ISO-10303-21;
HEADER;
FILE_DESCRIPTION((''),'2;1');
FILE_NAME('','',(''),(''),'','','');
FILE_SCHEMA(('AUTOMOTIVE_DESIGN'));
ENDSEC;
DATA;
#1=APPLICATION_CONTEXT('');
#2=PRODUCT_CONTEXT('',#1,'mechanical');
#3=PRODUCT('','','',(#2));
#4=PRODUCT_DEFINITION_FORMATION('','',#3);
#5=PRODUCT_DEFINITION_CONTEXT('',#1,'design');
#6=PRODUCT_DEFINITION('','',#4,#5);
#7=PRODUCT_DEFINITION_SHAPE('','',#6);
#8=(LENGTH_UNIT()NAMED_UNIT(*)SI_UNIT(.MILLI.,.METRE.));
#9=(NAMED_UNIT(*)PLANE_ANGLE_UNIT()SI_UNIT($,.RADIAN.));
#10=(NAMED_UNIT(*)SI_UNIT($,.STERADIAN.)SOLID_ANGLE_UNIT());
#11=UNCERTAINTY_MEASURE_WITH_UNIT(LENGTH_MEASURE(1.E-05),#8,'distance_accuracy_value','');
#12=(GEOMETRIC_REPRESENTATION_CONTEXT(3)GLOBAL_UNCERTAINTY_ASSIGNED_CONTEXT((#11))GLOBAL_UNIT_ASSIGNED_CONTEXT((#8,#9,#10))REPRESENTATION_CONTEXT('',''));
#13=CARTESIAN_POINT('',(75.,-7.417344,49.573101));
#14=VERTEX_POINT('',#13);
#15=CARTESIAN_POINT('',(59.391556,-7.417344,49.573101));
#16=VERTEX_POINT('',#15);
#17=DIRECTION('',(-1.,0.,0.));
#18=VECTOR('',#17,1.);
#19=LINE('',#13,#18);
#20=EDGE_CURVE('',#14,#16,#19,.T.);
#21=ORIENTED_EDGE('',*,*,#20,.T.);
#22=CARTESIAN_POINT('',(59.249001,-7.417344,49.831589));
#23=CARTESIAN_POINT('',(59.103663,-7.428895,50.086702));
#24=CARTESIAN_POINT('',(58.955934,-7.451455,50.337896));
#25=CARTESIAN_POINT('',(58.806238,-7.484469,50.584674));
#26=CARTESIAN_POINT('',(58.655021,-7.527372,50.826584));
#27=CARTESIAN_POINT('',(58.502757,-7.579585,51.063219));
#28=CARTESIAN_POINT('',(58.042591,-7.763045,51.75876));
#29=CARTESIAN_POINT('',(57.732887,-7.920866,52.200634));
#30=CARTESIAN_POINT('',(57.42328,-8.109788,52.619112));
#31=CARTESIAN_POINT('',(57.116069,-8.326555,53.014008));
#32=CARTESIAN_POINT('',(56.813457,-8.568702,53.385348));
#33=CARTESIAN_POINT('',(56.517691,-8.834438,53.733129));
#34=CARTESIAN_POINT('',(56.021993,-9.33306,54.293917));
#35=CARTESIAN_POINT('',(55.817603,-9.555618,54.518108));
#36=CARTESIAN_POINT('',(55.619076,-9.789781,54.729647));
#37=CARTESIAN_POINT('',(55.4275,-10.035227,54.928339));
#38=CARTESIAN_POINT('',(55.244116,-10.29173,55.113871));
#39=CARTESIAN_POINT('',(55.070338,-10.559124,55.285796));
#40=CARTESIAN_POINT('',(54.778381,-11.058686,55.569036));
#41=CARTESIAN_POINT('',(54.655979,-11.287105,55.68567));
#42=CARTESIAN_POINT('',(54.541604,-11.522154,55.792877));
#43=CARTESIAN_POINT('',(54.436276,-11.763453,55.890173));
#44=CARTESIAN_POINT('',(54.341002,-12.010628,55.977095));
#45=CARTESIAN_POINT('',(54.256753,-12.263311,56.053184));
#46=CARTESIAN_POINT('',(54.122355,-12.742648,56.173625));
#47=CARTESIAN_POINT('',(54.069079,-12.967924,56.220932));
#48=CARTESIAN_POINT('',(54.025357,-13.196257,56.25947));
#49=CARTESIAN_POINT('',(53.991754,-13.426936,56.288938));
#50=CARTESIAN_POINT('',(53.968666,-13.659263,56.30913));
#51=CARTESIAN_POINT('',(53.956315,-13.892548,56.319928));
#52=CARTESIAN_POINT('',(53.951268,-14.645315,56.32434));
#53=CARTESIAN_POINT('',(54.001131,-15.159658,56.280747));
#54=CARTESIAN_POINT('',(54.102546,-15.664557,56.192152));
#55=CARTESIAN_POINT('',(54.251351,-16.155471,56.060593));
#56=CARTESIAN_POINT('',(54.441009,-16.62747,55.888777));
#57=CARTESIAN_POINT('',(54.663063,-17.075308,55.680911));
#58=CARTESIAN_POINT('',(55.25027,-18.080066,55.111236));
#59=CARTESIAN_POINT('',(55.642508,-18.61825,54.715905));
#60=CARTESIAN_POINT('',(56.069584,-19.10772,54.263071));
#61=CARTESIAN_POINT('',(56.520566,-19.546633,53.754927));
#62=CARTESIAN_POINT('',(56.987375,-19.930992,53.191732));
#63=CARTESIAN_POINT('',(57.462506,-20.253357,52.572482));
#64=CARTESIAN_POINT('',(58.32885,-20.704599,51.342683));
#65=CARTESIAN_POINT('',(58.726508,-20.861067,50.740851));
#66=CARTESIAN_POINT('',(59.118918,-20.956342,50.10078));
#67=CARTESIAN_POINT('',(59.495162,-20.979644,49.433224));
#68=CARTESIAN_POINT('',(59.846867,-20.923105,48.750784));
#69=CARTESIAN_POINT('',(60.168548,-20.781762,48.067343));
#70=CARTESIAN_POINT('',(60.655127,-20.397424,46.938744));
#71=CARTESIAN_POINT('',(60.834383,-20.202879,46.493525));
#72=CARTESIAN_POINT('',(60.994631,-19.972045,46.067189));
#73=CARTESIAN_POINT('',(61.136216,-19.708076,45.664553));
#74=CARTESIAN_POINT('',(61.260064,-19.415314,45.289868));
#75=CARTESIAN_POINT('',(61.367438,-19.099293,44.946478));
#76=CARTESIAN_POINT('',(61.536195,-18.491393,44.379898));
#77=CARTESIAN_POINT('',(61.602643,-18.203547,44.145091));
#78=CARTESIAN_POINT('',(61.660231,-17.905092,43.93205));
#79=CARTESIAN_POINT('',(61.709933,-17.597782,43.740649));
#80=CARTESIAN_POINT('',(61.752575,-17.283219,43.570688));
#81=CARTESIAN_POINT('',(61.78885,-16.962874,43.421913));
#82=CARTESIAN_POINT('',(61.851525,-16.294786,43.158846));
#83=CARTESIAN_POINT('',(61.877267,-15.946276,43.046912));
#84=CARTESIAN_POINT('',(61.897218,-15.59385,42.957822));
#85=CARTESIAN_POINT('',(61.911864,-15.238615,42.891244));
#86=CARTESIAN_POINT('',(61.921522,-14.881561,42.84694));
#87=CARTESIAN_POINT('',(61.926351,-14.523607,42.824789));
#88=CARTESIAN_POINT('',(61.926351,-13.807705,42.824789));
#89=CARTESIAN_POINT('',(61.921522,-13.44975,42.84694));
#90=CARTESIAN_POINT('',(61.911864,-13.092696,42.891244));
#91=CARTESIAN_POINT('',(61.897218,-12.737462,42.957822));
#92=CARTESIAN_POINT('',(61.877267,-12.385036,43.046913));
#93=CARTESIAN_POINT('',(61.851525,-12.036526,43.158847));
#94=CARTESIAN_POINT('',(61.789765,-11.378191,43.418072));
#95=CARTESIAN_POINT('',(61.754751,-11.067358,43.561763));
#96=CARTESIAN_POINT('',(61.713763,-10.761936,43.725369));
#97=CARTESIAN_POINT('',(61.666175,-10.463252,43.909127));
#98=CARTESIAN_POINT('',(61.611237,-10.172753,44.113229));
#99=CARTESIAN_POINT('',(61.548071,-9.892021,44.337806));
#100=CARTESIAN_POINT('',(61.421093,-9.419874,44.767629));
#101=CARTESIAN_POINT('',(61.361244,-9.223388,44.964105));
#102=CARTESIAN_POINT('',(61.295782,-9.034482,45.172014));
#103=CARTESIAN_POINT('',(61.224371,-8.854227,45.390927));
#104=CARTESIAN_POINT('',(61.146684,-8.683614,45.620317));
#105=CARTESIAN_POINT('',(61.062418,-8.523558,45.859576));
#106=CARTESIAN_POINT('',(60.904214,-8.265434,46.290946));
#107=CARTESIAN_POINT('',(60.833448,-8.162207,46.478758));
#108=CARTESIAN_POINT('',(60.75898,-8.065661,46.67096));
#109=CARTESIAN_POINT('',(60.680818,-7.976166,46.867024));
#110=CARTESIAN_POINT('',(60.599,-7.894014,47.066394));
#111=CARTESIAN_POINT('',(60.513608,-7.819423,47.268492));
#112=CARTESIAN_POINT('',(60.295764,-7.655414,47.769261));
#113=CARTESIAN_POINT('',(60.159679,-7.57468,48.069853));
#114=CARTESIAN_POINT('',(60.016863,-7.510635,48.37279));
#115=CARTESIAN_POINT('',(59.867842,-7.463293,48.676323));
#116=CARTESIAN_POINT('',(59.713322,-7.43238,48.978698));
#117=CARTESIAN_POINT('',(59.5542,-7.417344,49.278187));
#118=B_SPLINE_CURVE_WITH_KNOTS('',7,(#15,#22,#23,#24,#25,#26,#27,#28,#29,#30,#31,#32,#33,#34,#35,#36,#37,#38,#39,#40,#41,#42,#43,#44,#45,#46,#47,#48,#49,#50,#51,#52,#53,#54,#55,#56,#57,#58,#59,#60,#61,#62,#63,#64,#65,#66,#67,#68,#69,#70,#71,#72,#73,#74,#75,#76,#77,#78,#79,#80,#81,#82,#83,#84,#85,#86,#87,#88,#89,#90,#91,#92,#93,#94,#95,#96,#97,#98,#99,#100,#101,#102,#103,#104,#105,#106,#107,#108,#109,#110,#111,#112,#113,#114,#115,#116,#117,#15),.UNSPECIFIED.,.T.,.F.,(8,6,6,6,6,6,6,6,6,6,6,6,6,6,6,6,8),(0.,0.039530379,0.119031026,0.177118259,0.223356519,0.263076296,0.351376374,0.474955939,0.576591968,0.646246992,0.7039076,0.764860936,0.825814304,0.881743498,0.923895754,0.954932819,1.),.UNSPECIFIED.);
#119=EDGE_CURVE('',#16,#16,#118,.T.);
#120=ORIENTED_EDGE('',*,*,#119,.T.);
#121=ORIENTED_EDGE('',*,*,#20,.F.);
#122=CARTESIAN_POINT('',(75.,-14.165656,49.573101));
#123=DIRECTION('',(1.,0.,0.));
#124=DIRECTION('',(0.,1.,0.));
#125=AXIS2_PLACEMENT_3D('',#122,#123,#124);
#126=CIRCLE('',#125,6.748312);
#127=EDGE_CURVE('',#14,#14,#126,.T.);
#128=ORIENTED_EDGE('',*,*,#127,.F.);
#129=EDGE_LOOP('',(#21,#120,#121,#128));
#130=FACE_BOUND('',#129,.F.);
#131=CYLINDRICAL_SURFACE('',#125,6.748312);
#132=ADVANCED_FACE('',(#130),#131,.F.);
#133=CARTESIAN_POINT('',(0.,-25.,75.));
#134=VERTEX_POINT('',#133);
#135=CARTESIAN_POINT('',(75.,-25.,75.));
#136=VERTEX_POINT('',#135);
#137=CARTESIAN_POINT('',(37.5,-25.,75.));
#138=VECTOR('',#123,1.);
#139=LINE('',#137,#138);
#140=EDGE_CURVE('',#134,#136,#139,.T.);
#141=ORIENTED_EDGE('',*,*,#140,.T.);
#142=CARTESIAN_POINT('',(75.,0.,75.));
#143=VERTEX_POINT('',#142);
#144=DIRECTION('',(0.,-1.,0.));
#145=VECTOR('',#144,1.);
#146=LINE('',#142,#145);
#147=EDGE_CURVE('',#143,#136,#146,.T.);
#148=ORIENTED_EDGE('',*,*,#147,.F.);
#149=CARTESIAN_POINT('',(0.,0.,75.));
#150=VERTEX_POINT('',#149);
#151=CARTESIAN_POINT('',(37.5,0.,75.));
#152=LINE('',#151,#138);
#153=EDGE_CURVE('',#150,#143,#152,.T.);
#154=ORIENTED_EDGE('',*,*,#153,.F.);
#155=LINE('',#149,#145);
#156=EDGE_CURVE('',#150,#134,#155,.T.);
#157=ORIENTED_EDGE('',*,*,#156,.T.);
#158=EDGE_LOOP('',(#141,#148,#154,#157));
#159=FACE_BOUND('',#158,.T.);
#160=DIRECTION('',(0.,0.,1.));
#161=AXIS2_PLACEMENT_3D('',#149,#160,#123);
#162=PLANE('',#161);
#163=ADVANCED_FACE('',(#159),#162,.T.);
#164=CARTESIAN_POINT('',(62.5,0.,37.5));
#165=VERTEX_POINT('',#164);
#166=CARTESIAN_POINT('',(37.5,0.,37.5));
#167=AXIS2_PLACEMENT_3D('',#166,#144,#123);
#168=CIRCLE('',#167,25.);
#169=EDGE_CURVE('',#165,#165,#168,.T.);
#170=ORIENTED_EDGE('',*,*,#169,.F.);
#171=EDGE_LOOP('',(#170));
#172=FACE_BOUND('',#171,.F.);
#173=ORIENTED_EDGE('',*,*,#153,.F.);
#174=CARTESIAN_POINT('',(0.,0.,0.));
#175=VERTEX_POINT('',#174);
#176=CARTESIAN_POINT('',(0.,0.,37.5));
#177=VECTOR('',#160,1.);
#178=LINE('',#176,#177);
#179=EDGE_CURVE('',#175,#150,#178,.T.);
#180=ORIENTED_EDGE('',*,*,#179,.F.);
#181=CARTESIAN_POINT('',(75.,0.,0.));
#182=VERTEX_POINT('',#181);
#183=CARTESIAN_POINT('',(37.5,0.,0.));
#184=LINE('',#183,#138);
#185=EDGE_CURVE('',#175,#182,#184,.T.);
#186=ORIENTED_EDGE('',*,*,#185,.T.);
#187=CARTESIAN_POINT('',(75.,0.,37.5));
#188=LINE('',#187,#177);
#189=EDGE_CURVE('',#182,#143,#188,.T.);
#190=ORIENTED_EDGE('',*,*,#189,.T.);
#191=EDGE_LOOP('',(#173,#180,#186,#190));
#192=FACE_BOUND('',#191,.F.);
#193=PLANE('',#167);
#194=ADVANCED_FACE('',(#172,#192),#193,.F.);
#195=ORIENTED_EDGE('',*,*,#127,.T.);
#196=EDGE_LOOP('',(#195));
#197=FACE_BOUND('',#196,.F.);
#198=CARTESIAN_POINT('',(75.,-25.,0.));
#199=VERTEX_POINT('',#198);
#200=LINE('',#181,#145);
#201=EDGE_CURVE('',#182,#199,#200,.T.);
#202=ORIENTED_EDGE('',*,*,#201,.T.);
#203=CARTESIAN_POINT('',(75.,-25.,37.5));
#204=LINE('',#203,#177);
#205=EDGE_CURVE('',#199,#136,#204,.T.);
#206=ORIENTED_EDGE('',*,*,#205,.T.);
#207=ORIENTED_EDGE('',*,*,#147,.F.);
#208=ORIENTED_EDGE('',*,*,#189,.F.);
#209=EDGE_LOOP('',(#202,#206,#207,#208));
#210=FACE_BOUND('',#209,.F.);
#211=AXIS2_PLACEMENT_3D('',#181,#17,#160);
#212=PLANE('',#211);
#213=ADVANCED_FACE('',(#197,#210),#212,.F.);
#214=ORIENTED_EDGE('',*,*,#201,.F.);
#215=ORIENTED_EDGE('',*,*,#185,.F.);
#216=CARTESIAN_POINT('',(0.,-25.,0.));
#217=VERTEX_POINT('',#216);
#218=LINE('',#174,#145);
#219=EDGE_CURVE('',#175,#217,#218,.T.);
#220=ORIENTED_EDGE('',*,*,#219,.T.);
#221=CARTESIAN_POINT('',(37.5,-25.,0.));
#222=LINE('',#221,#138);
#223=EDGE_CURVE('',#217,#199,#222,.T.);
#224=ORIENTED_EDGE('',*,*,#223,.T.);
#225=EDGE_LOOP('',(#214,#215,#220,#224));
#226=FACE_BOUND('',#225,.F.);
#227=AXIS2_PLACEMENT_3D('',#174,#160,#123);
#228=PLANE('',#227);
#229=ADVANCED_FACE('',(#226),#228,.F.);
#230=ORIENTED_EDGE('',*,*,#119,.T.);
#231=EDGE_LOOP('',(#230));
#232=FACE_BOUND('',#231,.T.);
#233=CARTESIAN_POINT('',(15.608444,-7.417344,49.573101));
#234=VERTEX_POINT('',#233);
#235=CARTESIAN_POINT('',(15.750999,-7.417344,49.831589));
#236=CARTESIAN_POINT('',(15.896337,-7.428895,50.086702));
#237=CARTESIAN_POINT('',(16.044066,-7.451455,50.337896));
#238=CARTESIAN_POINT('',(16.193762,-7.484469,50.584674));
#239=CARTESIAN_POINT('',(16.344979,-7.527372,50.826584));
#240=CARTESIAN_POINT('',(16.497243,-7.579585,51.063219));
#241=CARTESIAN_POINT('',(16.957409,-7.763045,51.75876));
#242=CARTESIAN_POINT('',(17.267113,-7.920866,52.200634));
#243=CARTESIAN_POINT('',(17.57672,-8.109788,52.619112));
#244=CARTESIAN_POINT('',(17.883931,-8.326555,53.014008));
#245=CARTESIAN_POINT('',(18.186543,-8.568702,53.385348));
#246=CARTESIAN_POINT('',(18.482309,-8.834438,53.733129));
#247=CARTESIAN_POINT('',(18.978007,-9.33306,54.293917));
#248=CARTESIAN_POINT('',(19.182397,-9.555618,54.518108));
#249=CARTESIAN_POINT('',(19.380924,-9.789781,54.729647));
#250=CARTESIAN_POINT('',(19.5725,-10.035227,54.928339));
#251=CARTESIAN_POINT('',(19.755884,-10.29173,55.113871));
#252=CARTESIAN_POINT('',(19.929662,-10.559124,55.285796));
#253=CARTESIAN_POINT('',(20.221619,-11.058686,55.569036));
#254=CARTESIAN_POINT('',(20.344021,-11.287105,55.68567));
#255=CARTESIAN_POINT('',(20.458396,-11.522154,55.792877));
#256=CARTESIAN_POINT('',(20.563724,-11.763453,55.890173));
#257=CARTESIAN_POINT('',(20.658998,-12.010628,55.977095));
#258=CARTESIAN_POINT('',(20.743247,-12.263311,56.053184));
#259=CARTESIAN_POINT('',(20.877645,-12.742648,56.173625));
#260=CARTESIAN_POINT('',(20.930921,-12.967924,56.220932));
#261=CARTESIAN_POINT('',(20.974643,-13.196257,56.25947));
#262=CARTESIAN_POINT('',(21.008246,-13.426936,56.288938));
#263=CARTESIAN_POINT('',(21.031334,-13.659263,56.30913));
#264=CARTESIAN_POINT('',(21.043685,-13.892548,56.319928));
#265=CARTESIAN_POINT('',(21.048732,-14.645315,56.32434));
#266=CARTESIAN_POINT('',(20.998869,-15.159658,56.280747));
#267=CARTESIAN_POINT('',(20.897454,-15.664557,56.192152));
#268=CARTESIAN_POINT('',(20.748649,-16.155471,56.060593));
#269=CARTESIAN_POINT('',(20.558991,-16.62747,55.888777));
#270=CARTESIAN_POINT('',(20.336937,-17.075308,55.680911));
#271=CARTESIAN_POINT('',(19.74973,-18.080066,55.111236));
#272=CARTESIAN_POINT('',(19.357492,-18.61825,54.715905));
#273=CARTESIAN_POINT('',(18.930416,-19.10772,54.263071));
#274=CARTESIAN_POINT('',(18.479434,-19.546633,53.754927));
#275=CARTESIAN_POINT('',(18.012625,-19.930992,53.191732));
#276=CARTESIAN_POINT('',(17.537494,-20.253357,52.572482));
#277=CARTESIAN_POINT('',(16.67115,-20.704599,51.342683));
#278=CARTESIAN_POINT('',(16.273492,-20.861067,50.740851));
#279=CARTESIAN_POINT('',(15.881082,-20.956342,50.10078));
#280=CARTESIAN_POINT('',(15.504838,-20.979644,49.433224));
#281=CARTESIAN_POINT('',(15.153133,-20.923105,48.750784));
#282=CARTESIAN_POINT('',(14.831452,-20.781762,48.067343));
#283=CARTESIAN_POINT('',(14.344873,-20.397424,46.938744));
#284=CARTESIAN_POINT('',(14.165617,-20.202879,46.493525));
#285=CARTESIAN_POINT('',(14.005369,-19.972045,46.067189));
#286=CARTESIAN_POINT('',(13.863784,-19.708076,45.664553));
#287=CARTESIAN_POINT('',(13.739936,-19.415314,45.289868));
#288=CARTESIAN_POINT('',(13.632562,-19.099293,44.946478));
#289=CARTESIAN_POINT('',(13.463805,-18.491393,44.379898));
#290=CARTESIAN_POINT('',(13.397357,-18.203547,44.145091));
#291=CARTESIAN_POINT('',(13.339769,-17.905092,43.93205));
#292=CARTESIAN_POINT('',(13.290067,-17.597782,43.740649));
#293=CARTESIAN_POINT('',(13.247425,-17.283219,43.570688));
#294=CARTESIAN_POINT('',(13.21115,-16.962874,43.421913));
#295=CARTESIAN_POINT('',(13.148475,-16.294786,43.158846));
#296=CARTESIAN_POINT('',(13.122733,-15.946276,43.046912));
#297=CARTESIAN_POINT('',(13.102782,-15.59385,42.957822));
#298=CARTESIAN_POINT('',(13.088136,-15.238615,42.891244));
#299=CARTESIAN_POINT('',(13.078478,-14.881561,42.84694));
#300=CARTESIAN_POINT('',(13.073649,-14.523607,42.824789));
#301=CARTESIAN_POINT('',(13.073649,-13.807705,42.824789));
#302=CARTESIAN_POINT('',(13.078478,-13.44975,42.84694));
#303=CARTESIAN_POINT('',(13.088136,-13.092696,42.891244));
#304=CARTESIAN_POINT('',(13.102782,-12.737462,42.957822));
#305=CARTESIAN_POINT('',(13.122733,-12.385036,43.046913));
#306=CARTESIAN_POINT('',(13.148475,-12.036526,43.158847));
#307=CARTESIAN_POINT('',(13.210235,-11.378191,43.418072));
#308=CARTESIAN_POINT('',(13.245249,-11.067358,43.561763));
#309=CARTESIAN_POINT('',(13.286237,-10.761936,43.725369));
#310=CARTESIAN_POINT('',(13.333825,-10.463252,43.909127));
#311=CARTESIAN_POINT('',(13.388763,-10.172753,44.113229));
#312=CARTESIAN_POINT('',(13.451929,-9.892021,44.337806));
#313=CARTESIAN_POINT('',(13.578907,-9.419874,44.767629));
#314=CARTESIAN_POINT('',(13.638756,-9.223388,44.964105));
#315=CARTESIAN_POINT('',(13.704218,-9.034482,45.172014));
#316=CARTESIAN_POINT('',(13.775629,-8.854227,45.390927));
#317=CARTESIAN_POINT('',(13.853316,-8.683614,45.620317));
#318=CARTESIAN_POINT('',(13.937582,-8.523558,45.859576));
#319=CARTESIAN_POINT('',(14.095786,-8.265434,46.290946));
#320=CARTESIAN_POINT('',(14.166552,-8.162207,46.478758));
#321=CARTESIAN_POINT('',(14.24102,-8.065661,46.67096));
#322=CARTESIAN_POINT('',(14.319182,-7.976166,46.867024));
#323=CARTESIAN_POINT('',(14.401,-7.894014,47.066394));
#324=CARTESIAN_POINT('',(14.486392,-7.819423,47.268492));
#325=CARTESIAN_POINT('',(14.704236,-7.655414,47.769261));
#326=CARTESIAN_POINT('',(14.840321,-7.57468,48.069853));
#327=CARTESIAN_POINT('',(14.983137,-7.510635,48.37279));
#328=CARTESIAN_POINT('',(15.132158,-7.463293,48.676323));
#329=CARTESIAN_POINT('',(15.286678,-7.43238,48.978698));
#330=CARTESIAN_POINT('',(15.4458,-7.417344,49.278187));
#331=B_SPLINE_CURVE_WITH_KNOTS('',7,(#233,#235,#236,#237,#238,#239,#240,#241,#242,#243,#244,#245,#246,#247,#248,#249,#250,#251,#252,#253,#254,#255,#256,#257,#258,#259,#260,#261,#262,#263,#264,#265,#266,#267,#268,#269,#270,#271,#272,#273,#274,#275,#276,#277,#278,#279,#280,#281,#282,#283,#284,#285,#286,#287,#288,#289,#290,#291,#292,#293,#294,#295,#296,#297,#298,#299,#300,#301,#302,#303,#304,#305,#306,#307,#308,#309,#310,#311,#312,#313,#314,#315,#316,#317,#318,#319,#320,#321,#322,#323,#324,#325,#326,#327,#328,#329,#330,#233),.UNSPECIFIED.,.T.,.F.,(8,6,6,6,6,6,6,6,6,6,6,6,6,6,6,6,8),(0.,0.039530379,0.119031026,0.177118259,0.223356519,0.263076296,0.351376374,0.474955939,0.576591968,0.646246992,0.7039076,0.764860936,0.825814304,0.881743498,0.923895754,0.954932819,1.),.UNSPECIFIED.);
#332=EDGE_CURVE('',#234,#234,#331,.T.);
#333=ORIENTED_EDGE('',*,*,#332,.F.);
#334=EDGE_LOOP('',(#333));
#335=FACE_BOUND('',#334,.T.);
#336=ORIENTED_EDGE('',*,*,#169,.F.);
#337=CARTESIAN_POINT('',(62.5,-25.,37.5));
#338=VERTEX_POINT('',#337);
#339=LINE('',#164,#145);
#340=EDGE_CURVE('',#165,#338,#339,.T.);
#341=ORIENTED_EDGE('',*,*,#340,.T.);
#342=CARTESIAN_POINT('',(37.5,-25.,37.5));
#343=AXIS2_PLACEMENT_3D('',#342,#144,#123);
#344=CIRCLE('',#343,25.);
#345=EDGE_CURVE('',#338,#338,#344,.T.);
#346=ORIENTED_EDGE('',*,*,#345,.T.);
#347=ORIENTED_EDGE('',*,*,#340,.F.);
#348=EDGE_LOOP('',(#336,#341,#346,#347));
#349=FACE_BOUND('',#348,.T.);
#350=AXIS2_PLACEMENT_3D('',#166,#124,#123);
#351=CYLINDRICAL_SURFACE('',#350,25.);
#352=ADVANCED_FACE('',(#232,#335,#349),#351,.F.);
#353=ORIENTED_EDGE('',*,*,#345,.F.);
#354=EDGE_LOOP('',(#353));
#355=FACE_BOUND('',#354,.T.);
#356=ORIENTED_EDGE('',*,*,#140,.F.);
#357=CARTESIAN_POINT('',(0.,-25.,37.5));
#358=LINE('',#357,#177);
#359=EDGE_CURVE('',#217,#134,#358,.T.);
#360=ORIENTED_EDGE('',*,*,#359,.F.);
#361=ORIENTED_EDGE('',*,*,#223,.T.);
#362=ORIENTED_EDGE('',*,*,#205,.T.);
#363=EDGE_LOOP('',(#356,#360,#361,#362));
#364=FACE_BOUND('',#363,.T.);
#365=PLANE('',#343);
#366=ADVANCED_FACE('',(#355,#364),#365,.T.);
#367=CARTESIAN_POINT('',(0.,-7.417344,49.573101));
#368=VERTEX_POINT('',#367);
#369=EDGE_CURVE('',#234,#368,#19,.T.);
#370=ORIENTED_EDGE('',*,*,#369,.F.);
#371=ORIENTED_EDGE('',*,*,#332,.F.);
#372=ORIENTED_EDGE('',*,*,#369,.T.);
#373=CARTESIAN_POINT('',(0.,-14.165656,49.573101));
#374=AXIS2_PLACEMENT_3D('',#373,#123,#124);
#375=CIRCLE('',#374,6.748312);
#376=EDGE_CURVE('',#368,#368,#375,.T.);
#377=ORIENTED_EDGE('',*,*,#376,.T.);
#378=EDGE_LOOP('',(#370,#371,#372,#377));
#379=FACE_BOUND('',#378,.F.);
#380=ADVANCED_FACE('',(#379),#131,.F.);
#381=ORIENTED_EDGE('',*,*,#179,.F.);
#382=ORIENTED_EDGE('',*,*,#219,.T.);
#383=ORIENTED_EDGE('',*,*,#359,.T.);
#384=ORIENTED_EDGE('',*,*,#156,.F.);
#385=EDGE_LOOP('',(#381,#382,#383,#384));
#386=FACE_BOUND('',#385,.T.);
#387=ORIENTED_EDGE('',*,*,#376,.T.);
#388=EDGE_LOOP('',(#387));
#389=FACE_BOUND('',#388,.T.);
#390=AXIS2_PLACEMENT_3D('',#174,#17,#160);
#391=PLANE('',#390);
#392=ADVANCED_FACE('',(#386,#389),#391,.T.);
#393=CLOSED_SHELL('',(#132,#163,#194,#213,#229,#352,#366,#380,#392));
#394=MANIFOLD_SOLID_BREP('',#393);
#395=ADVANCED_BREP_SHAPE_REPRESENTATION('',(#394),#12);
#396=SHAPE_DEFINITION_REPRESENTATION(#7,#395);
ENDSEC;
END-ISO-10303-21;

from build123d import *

# Parameters (mm, degrees)
F0_W     = 75
F0_H     = 75
F0_R     = 25
F1_DEPTH = 25
F2_R     = 6.748312
F3_DEPTH = 92


with BuildPart() as f1:
    # F0 (on Front) → F1 (new body)
    with BuildSketch(Plane.XZ):
        with Locations((37.5, 37.5)):
            Rectangle(F0_W, F0_H)
        with Locations((37.5, 37.5)):
            Circle(F0_R, mode=Mode.SUBTRACT)
    extrude(amount=F1_DEPTH)

    # F2 (on face) → F3 (cut)
    with BuildSketch(Plane.YZ.offset(75)):
        with Locations((-14.165656, 49.573101)):
            Circle(F2_R)
    extrude(amount=-F3_DEPTH, mode=Mode.SUBTRACT)


solid = f1.part
